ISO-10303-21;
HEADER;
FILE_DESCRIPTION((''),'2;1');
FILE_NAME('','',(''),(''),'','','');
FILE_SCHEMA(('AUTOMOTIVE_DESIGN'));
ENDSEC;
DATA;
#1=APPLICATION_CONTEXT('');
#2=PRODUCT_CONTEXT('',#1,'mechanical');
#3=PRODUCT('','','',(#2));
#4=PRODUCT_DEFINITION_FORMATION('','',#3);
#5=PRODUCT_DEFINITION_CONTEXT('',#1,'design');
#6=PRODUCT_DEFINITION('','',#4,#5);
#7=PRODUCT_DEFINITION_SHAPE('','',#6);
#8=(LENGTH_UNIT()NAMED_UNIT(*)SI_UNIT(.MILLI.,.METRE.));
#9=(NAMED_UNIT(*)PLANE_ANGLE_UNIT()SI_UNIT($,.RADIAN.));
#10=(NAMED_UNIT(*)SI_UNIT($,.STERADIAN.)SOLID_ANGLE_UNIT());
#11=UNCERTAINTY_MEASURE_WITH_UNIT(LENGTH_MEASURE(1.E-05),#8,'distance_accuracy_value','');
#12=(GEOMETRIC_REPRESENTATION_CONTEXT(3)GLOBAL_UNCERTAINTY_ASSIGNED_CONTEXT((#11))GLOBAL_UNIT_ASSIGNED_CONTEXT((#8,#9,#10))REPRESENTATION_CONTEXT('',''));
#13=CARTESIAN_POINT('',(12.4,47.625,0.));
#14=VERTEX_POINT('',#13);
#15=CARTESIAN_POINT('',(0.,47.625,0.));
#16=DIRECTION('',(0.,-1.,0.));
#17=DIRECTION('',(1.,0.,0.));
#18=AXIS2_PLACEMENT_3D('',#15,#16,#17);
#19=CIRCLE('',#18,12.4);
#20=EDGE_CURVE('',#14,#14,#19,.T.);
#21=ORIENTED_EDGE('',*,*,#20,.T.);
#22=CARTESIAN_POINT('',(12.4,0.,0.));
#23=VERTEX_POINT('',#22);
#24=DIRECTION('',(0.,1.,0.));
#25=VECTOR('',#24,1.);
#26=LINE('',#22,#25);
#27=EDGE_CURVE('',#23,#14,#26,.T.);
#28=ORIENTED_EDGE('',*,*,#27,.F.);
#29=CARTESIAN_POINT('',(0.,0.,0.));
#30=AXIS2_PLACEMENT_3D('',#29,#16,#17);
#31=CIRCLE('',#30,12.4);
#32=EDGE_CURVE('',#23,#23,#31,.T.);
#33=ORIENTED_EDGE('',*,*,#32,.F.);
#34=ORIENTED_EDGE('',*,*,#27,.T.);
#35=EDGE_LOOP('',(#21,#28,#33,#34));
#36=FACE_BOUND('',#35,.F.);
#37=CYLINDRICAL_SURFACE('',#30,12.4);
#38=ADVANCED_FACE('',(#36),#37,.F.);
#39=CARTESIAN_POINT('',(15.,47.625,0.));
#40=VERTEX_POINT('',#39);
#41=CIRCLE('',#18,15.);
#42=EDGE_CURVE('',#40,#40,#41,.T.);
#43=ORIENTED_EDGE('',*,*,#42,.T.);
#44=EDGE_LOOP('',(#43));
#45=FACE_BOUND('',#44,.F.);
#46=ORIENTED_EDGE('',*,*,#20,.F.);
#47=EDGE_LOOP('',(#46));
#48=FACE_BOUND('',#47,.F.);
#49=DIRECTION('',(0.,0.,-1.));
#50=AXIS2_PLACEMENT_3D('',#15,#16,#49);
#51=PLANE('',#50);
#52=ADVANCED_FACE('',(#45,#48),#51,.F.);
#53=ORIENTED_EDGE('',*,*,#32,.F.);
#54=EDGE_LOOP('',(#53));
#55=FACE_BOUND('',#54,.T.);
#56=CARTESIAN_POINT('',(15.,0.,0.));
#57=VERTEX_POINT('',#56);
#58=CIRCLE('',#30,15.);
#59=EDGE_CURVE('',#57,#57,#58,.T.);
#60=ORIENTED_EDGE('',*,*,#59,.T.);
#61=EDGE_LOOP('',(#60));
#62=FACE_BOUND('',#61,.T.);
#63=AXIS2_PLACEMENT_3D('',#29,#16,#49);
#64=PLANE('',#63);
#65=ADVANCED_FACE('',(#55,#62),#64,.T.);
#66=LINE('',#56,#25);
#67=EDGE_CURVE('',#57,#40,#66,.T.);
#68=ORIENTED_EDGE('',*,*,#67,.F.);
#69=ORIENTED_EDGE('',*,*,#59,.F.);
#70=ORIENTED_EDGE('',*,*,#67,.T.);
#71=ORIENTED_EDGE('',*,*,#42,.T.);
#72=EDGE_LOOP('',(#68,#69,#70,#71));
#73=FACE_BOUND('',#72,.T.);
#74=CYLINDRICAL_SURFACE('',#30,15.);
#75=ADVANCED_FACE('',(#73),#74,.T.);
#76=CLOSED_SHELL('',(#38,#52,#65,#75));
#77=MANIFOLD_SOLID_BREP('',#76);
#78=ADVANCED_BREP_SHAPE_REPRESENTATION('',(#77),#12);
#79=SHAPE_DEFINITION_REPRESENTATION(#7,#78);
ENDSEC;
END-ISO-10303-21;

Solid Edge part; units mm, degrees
sketch "Sketch1" plane through (0, 0, 0) normal (0, -1, 0) x (1, 0, 0)
  circle A0 centre (0, 0) radius 12.4
  circle A1 centre (0, 0) radius 15
  dimension "D1" = 30
  dimension "D2" = 2.6
extrude "Protrusion1" add sketch "Sketch1" against normal blind 47.625
